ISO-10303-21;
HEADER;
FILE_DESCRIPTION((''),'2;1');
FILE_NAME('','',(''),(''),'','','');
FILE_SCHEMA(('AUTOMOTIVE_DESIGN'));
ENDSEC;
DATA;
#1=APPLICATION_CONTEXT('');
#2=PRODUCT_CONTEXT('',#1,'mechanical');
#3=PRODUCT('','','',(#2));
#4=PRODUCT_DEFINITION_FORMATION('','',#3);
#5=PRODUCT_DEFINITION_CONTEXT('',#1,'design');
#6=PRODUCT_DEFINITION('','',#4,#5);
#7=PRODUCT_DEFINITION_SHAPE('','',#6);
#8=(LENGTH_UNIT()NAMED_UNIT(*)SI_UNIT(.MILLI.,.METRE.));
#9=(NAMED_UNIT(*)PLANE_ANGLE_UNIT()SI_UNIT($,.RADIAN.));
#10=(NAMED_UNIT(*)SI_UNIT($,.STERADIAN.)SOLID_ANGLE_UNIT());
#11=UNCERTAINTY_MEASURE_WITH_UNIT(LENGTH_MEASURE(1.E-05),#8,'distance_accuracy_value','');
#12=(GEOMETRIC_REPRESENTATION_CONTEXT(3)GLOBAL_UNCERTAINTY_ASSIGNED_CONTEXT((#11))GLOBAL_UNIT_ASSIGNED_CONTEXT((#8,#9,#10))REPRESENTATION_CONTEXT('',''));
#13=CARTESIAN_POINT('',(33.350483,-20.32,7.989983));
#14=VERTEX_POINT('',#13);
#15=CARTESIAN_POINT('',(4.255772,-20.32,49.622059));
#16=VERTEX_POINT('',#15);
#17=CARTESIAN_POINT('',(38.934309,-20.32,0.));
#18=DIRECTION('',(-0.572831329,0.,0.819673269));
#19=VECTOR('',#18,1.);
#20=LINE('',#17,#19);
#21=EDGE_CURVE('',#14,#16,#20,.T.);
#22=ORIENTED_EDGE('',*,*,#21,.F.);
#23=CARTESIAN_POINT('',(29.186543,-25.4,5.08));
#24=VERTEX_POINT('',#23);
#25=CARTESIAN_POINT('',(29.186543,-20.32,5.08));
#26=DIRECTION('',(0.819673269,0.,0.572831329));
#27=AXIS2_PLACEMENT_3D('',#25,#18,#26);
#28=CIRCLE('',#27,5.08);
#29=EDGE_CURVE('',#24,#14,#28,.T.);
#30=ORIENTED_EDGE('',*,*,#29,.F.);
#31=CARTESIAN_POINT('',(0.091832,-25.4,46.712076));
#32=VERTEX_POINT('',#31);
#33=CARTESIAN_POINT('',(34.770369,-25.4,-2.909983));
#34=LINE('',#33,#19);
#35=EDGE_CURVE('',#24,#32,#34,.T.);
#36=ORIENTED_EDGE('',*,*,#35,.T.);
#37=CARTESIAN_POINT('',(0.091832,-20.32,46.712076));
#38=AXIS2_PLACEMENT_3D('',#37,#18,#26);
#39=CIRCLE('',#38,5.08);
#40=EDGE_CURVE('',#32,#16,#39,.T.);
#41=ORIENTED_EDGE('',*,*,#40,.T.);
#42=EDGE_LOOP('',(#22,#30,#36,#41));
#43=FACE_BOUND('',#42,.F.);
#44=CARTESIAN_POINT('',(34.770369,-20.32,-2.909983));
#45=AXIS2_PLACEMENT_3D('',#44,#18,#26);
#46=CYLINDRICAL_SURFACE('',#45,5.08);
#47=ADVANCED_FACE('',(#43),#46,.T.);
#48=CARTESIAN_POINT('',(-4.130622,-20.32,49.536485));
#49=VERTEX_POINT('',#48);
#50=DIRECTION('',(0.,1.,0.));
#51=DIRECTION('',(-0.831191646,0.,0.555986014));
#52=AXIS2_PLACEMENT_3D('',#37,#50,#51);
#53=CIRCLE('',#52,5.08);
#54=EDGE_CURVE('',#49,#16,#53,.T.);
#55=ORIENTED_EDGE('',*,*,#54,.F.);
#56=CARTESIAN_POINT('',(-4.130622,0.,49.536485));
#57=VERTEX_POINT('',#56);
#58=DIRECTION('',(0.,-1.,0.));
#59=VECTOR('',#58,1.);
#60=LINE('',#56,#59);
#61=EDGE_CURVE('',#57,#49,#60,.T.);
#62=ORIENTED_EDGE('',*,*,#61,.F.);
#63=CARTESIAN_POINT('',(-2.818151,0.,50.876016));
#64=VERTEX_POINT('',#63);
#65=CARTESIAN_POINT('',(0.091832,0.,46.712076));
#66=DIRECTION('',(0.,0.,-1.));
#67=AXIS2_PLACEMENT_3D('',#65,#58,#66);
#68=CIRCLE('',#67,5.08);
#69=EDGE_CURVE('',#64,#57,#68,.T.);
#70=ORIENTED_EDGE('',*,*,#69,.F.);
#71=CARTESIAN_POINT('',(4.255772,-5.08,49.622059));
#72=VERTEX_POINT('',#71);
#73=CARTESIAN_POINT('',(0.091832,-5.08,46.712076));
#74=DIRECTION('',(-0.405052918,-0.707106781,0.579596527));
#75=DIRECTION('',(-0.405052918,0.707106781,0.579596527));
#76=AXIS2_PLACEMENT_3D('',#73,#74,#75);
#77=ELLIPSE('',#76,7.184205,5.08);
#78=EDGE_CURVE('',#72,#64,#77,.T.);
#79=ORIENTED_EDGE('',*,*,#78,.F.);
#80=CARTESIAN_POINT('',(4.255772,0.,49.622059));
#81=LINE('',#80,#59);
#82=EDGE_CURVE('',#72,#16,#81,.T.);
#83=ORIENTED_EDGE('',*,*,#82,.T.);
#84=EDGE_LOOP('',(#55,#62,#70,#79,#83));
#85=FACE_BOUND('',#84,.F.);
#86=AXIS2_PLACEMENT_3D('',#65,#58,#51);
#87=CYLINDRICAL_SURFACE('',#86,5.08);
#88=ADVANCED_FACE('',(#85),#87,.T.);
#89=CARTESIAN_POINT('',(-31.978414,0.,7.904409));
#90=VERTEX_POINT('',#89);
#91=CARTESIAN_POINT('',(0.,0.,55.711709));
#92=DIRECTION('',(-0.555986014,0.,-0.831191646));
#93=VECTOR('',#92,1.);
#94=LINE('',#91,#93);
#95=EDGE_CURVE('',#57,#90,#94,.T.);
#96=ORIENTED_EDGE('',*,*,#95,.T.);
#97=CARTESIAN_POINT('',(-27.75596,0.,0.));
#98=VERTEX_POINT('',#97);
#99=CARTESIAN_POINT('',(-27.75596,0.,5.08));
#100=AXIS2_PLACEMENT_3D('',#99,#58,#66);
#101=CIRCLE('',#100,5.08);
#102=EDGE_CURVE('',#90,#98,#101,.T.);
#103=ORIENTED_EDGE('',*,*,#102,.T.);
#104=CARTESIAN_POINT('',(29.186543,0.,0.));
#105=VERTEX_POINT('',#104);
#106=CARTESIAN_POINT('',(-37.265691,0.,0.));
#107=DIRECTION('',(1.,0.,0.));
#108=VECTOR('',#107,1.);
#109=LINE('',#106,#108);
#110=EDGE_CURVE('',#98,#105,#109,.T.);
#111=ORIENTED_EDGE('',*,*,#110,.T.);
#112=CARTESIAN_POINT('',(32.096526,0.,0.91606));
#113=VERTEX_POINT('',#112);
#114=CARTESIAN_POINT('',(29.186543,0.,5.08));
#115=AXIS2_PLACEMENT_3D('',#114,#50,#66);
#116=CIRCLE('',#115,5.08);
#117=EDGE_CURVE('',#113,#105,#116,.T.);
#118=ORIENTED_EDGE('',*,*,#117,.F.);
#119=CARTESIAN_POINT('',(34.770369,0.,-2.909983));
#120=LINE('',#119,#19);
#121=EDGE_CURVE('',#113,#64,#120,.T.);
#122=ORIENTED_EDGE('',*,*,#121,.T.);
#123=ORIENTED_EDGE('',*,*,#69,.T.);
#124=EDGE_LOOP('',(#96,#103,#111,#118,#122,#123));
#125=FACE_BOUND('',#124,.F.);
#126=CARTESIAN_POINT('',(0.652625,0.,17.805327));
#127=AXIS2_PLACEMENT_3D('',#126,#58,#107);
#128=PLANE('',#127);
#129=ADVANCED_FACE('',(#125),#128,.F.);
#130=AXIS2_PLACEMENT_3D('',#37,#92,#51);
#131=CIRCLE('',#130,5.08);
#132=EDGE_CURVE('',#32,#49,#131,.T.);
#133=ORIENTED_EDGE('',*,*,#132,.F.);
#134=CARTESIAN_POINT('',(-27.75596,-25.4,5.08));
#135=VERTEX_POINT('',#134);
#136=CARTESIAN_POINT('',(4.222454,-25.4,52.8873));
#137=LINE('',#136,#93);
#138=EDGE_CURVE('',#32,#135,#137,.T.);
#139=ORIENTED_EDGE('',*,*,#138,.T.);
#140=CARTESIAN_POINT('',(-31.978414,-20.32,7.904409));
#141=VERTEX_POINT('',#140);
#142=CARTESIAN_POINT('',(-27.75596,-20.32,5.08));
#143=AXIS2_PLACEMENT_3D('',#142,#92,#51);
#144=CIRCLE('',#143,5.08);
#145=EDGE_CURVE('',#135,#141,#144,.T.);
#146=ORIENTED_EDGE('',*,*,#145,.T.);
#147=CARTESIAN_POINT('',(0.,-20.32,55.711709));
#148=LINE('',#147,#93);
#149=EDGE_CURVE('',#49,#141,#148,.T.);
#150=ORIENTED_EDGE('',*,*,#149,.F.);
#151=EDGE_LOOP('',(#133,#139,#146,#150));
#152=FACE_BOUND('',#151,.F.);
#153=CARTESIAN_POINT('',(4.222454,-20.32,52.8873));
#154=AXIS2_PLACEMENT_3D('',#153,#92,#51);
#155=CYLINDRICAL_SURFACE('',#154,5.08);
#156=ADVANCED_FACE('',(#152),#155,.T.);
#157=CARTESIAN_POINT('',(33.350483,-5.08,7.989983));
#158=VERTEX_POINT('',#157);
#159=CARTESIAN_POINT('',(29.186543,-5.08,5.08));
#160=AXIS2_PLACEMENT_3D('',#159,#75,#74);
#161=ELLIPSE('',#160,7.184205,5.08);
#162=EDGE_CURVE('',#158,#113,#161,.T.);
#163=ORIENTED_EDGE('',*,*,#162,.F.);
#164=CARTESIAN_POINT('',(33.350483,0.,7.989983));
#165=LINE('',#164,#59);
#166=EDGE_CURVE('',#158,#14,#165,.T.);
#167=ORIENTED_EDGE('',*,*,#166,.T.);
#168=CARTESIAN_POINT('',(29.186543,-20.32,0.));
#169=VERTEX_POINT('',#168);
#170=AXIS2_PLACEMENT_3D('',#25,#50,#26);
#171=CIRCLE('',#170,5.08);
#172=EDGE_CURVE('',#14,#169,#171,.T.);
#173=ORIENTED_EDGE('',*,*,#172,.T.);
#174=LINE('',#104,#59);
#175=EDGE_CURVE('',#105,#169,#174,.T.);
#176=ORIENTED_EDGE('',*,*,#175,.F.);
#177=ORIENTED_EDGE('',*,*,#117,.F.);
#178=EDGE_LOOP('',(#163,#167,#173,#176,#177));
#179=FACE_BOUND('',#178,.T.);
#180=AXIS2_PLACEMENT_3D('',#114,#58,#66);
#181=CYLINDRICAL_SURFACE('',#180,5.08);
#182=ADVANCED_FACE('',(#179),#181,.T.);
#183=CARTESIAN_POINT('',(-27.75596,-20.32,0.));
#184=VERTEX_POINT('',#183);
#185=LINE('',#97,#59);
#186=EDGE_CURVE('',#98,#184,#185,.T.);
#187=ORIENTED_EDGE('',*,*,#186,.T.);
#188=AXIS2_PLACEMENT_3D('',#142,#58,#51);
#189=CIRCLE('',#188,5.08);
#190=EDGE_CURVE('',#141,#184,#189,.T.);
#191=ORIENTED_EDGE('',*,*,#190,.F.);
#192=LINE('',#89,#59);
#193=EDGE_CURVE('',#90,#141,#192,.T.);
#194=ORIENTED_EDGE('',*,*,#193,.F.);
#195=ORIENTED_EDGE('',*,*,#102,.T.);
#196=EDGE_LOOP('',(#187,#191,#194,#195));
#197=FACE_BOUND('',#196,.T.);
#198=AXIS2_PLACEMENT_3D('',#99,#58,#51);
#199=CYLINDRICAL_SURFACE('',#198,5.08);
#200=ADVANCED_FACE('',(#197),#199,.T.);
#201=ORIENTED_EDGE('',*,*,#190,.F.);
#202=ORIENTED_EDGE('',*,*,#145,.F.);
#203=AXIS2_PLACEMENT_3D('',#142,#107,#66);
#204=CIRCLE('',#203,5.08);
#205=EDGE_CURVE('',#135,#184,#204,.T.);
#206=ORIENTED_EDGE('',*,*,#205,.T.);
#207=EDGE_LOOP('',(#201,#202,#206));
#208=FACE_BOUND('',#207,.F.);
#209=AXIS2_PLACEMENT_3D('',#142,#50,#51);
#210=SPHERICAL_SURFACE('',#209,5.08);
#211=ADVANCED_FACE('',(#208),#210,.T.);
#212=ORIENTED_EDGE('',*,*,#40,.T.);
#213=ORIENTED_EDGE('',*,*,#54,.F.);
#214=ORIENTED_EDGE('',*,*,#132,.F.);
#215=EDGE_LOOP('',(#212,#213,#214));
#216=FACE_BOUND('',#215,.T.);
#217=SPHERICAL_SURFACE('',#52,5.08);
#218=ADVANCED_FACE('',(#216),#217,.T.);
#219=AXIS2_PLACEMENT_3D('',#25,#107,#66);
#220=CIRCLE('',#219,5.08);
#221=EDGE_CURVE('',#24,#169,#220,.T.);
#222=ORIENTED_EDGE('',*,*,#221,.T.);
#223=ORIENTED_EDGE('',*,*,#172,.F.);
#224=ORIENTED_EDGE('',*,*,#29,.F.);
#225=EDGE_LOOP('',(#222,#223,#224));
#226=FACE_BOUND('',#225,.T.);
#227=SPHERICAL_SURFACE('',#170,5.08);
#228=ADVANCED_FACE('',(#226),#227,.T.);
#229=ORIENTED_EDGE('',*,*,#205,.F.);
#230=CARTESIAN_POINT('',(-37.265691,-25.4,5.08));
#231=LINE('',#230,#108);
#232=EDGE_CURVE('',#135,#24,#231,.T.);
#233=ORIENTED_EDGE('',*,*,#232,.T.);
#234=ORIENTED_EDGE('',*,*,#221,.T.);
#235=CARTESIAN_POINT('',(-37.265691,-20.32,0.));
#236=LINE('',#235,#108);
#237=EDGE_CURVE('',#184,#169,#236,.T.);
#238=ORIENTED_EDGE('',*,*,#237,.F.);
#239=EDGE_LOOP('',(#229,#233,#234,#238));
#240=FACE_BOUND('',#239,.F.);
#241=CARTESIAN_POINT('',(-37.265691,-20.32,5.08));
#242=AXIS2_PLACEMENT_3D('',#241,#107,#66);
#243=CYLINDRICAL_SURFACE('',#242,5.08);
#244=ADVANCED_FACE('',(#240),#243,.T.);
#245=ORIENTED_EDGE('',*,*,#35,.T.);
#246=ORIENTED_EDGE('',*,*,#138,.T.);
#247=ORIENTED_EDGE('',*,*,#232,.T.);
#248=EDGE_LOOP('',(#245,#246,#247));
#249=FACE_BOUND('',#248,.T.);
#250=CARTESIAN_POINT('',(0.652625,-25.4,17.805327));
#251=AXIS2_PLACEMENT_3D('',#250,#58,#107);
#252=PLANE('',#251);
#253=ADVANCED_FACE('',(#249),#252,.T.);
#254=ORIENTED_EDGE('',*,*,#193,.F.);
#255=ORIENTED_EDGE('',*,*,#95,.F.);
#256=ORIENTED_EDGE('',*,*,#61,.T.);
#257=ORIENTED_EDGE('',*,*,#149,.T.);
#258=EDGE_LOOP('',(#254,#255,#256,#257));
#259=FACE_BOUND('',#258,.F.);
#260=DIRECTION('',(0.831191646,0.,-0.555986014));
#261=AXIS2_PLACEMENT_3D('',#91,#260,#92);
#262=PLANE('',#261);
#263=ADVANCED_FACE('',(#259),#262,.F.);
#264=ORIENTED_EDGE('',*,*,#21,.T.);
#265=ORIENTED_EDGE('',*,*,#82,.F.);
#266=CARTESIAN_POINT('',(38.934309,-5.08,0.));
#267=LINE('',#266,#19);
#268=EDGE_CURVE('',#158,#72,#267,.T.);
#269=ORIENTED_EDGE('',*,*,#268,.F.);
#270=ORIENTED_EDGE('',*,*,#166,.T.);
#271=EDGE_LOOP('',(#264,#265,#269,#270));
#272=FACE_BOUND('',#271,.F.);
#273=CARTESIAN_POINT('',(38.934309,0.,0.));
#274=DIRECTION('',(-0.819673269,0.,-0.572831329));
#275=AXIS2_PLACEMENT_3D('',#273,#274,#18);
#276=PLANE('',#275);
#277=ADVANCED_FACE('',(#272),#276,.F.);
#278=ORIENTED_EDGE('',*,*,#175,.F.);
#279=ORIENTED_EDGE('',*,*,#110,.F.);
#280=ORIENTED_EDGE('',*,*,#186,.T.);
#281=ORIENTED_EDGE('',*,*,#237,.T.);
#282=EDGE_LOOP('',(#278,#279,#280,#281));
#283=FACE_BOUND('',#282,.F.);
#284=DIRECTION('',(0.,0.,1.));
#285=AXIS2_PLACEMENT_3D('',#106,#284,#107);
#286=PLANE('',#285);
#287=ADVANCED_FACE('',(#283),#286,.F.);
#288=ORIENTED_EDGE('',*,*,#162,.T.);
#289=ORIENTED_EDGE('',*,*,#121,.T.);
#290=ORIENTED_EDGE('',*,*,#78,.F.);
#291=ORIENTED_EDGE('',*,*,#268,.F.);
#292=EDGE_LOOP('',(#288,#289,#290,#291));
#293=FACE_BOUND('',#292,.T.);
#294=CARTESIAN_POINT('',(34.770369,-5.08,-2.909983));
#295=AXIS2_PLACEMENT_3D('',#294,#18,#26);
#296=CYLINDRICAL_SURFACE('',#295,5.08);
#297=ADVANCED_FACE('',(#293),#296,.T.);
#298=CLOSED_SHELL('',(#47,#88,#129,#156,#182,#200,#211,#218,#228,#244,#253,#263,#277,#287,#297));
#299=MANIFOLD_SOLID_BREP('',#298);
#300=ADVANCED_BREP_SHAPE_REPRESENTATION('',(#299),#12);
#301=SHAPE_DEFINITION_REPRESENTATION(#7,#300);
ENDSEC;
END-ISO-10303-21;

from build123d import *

# Parameters (mm, degrees)
F1_DEPTH = 25.4
F2_R     = 5.08


with BuildPart() as f1:
    # F0 (on Front) → F1 (new body)
    with BuildSketch(Plane.XZ):
        Polygon((0, 55.711709), (-37.265691, 0), (38.934309, 0), align=None)
    extrude(amount=F1_DEPTH)

    # F2
    f2_edges = [f1.edges().sort_by_distance(p)[0] for p in [
        (-18.632845, -25.4, 27.855854),
        (19.467155, -25.4, 27.855854),
        (0.834309, -25.4, 0),
        (38.934309, -12.7, 0),
        (19.467155, 0, 27.855854),
        (0, -12.7, 55.711709),
        (-37.265691, -12.7, 0),
    ]]
    fillet(f2_edges, radius=F2_R)


solid = f1.part
